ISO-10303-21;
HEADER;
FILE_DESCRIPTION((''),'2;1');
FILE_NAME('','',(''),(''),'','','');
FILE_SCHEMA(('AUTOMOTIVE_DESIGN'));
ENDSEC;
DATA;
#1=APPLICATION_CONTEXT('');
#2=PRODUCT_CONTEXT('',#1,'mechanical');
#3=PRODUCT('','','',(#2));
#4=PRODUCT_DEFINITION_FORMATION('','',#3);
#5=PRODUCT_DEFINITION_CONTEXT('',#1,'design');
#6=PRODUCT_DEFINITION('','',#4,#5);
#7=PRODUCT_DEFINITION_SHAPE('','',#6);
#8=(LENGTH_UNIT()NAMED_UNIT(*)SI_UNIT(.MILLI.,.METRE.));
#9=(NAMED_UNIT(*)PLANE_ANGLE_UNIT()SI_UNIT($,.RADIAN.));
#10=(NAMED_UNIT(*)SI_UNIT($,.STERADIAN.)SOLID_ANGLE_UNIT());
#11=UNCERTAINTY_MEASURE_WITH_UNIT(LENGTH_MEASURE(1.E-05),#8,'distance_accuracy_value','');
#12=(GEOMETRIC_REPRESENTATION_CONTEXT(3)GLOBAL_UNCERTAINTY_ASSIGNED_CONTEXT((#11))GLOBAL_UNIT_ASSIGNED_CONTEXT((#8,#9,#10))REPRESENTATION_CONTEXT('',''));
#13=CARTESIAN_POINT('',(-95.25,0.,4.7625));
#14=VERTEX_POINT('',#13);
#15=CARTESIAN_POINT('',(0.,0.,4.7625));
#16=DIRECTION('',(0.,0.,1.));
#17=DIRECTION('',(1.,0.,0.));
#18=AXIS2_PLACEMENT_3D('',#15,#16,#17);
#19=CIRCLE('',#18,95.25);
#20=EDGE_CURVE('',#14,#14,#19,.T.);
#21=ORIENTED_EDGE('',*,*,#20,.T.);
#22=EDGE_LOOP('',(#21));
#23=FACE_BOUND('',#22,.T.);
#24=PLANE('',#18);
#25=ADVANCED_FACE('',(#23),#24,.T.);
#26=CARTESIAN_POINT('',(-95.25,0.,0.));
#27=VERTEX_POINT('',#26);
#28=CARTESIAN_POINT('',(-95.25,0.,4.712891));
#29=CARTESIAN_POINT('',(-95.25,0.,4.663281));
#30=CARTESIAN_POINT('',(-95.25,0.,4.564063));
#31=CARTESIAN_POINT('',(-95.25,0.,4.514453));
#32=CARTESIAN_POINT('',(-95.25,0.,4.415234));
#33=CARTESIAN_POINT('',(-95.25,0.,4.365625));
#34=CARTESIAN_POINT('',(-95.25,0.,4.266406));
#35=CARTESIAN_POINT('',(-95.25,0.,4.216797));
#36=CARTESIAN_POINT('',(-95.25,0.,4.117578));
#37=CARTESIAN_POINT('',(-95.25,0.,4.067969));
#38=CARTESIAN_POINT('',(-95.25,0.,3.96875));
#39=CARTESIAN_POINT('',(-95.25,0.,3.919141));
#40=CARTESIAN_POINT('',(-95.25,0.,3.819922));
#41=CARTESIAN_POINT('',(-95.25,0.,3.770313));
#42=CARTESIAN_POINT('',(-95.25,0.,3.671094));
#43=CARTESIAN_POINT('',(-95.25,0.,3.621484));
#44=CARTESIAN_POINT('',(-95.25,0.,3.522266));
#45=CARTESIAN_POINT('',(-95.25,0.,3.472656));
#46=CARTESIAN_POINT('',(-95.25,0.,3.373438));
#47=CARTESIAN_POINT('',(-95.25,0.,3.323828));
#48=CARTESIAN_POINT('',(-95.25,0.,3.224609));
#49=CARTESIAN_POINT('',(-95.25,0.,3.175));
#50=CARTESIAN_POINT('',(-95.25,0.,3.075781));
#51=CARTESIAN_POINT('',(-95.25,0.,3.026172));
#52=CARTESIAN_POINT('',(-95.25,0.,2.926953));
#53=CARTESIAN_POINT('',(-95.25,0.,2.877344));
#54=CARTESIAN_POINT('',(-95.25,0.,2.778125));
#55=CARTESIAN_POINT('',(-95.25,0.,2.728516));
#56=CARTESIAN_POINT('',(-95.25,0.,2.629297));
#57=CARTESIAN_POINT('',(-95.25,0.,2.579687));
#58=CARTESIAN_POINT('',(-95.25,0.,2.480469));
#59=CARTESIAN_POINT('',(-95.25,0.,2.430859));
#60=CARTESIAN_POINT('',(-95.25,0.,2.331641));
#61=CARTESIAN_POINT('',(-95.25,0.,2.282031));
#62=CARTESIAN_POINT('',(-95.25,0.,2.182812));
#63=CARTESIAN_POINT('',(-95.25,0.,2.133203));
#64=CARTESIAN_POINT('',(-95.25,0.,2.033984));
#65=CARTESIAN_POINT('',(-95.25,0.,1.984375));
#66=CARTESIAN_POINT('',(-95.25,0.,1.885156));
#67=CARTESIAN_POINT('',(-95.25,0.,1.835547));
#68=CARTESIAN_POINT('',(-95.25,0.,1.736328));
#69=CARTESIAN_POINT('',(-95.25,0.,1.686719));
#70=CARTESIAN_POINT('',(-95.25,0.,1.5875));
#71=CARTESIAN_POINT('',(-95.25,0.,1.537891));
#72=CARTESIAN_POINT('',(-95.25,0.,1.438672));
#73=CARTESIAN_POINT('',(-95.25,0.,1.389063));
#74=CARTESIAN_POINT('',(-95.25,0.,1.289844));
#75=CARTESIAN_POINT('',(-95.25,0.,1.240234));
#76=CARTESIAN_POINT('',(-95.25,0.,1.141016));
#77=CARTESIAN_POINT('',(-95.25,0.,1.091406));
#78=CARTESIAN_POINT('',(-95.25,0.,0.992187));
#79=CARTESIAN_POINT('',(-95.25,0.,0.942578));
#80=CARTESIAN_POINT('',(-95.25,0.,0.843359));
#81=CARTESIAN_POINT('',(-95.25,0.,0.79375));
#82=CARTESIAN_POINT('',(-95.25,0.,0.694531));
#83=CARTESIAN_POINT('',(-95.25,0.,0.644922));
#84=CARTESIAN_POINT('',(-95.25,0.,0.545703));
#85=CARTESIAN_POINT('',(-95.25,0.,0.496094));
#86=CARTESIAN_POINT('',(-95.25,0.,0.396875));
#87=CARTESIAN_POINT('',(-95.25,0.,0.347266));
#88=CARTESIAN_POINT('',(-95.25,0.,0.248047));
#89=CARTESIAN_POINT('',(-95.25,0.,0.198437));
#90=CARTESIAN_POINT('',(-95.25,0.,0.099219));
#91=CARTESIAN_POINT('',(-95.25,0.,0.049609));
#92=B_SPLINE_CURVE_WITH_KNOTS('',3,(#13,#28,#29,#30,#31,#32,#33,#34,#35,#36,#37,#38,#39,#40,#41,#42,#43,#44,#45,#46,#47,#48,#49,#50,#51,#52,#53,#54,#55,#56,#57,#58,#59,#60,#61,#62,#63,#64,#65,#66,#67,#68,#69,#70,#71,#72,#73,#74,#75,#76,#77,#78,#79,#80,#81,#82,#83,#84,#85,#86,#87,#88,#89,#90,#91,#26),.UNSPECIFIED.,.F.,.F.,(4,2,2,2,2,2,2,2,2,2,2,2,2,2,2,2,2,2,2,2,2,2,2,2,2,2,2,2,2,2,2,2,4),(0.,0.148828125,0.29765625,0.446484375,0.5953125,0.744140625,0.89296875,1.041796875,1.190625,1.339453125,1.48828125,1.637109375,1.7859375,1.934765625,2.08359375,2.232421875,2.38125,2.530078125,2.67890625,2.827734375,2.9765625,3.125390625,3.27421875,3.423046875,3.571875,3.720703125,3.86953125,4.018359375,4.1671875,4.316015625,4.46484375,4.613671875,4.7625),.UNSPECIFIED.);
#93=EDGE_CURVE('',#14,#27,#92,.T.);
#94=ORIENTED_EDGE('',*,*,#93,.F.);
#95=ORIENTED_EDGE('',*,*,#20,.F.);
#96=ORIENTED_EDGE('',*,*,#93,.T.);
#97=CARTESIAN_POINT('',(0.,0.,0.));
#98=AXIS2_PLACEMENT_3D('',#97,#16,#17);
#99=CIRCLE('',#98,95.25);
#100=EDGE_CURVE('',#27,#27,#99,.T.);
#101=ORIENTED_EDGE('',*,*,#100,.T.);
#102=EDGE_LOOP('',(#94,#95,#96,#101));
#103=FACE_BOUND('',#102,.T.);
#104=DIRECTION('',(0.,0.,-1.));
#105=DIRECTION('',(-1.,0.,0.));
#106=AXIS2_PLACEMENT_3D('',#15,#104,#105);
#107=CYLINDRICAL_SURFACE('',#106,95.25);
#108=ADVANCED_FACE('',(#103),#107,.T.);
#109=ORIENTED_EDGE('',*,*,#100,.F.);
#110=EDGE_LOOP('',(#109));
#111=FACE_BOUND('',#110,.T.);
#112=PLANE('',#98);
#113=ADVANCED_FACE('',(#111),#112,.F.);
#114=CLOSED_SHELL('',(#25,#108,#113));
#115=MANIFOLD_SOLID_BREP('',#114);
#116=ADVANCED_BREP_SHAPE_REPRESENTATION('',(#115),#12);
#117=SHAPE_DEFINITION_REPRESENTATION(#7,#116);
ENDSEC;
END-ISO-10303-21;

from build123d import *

# Parameters (mm, degrees)
SKETCH1_R           = 95.25
BOSS_EXTRUDE1_DEPTH = 4.7625


with BuildPart() as part:
    # Sketch1 → Boss-Extrude1 (new body)
    with BuildSketch(Plane.XY):
        Circle(SKETCH1_R)
    extrude(amount=BOSS_EXTRUDE1_DEPTH)


solid = part.part
